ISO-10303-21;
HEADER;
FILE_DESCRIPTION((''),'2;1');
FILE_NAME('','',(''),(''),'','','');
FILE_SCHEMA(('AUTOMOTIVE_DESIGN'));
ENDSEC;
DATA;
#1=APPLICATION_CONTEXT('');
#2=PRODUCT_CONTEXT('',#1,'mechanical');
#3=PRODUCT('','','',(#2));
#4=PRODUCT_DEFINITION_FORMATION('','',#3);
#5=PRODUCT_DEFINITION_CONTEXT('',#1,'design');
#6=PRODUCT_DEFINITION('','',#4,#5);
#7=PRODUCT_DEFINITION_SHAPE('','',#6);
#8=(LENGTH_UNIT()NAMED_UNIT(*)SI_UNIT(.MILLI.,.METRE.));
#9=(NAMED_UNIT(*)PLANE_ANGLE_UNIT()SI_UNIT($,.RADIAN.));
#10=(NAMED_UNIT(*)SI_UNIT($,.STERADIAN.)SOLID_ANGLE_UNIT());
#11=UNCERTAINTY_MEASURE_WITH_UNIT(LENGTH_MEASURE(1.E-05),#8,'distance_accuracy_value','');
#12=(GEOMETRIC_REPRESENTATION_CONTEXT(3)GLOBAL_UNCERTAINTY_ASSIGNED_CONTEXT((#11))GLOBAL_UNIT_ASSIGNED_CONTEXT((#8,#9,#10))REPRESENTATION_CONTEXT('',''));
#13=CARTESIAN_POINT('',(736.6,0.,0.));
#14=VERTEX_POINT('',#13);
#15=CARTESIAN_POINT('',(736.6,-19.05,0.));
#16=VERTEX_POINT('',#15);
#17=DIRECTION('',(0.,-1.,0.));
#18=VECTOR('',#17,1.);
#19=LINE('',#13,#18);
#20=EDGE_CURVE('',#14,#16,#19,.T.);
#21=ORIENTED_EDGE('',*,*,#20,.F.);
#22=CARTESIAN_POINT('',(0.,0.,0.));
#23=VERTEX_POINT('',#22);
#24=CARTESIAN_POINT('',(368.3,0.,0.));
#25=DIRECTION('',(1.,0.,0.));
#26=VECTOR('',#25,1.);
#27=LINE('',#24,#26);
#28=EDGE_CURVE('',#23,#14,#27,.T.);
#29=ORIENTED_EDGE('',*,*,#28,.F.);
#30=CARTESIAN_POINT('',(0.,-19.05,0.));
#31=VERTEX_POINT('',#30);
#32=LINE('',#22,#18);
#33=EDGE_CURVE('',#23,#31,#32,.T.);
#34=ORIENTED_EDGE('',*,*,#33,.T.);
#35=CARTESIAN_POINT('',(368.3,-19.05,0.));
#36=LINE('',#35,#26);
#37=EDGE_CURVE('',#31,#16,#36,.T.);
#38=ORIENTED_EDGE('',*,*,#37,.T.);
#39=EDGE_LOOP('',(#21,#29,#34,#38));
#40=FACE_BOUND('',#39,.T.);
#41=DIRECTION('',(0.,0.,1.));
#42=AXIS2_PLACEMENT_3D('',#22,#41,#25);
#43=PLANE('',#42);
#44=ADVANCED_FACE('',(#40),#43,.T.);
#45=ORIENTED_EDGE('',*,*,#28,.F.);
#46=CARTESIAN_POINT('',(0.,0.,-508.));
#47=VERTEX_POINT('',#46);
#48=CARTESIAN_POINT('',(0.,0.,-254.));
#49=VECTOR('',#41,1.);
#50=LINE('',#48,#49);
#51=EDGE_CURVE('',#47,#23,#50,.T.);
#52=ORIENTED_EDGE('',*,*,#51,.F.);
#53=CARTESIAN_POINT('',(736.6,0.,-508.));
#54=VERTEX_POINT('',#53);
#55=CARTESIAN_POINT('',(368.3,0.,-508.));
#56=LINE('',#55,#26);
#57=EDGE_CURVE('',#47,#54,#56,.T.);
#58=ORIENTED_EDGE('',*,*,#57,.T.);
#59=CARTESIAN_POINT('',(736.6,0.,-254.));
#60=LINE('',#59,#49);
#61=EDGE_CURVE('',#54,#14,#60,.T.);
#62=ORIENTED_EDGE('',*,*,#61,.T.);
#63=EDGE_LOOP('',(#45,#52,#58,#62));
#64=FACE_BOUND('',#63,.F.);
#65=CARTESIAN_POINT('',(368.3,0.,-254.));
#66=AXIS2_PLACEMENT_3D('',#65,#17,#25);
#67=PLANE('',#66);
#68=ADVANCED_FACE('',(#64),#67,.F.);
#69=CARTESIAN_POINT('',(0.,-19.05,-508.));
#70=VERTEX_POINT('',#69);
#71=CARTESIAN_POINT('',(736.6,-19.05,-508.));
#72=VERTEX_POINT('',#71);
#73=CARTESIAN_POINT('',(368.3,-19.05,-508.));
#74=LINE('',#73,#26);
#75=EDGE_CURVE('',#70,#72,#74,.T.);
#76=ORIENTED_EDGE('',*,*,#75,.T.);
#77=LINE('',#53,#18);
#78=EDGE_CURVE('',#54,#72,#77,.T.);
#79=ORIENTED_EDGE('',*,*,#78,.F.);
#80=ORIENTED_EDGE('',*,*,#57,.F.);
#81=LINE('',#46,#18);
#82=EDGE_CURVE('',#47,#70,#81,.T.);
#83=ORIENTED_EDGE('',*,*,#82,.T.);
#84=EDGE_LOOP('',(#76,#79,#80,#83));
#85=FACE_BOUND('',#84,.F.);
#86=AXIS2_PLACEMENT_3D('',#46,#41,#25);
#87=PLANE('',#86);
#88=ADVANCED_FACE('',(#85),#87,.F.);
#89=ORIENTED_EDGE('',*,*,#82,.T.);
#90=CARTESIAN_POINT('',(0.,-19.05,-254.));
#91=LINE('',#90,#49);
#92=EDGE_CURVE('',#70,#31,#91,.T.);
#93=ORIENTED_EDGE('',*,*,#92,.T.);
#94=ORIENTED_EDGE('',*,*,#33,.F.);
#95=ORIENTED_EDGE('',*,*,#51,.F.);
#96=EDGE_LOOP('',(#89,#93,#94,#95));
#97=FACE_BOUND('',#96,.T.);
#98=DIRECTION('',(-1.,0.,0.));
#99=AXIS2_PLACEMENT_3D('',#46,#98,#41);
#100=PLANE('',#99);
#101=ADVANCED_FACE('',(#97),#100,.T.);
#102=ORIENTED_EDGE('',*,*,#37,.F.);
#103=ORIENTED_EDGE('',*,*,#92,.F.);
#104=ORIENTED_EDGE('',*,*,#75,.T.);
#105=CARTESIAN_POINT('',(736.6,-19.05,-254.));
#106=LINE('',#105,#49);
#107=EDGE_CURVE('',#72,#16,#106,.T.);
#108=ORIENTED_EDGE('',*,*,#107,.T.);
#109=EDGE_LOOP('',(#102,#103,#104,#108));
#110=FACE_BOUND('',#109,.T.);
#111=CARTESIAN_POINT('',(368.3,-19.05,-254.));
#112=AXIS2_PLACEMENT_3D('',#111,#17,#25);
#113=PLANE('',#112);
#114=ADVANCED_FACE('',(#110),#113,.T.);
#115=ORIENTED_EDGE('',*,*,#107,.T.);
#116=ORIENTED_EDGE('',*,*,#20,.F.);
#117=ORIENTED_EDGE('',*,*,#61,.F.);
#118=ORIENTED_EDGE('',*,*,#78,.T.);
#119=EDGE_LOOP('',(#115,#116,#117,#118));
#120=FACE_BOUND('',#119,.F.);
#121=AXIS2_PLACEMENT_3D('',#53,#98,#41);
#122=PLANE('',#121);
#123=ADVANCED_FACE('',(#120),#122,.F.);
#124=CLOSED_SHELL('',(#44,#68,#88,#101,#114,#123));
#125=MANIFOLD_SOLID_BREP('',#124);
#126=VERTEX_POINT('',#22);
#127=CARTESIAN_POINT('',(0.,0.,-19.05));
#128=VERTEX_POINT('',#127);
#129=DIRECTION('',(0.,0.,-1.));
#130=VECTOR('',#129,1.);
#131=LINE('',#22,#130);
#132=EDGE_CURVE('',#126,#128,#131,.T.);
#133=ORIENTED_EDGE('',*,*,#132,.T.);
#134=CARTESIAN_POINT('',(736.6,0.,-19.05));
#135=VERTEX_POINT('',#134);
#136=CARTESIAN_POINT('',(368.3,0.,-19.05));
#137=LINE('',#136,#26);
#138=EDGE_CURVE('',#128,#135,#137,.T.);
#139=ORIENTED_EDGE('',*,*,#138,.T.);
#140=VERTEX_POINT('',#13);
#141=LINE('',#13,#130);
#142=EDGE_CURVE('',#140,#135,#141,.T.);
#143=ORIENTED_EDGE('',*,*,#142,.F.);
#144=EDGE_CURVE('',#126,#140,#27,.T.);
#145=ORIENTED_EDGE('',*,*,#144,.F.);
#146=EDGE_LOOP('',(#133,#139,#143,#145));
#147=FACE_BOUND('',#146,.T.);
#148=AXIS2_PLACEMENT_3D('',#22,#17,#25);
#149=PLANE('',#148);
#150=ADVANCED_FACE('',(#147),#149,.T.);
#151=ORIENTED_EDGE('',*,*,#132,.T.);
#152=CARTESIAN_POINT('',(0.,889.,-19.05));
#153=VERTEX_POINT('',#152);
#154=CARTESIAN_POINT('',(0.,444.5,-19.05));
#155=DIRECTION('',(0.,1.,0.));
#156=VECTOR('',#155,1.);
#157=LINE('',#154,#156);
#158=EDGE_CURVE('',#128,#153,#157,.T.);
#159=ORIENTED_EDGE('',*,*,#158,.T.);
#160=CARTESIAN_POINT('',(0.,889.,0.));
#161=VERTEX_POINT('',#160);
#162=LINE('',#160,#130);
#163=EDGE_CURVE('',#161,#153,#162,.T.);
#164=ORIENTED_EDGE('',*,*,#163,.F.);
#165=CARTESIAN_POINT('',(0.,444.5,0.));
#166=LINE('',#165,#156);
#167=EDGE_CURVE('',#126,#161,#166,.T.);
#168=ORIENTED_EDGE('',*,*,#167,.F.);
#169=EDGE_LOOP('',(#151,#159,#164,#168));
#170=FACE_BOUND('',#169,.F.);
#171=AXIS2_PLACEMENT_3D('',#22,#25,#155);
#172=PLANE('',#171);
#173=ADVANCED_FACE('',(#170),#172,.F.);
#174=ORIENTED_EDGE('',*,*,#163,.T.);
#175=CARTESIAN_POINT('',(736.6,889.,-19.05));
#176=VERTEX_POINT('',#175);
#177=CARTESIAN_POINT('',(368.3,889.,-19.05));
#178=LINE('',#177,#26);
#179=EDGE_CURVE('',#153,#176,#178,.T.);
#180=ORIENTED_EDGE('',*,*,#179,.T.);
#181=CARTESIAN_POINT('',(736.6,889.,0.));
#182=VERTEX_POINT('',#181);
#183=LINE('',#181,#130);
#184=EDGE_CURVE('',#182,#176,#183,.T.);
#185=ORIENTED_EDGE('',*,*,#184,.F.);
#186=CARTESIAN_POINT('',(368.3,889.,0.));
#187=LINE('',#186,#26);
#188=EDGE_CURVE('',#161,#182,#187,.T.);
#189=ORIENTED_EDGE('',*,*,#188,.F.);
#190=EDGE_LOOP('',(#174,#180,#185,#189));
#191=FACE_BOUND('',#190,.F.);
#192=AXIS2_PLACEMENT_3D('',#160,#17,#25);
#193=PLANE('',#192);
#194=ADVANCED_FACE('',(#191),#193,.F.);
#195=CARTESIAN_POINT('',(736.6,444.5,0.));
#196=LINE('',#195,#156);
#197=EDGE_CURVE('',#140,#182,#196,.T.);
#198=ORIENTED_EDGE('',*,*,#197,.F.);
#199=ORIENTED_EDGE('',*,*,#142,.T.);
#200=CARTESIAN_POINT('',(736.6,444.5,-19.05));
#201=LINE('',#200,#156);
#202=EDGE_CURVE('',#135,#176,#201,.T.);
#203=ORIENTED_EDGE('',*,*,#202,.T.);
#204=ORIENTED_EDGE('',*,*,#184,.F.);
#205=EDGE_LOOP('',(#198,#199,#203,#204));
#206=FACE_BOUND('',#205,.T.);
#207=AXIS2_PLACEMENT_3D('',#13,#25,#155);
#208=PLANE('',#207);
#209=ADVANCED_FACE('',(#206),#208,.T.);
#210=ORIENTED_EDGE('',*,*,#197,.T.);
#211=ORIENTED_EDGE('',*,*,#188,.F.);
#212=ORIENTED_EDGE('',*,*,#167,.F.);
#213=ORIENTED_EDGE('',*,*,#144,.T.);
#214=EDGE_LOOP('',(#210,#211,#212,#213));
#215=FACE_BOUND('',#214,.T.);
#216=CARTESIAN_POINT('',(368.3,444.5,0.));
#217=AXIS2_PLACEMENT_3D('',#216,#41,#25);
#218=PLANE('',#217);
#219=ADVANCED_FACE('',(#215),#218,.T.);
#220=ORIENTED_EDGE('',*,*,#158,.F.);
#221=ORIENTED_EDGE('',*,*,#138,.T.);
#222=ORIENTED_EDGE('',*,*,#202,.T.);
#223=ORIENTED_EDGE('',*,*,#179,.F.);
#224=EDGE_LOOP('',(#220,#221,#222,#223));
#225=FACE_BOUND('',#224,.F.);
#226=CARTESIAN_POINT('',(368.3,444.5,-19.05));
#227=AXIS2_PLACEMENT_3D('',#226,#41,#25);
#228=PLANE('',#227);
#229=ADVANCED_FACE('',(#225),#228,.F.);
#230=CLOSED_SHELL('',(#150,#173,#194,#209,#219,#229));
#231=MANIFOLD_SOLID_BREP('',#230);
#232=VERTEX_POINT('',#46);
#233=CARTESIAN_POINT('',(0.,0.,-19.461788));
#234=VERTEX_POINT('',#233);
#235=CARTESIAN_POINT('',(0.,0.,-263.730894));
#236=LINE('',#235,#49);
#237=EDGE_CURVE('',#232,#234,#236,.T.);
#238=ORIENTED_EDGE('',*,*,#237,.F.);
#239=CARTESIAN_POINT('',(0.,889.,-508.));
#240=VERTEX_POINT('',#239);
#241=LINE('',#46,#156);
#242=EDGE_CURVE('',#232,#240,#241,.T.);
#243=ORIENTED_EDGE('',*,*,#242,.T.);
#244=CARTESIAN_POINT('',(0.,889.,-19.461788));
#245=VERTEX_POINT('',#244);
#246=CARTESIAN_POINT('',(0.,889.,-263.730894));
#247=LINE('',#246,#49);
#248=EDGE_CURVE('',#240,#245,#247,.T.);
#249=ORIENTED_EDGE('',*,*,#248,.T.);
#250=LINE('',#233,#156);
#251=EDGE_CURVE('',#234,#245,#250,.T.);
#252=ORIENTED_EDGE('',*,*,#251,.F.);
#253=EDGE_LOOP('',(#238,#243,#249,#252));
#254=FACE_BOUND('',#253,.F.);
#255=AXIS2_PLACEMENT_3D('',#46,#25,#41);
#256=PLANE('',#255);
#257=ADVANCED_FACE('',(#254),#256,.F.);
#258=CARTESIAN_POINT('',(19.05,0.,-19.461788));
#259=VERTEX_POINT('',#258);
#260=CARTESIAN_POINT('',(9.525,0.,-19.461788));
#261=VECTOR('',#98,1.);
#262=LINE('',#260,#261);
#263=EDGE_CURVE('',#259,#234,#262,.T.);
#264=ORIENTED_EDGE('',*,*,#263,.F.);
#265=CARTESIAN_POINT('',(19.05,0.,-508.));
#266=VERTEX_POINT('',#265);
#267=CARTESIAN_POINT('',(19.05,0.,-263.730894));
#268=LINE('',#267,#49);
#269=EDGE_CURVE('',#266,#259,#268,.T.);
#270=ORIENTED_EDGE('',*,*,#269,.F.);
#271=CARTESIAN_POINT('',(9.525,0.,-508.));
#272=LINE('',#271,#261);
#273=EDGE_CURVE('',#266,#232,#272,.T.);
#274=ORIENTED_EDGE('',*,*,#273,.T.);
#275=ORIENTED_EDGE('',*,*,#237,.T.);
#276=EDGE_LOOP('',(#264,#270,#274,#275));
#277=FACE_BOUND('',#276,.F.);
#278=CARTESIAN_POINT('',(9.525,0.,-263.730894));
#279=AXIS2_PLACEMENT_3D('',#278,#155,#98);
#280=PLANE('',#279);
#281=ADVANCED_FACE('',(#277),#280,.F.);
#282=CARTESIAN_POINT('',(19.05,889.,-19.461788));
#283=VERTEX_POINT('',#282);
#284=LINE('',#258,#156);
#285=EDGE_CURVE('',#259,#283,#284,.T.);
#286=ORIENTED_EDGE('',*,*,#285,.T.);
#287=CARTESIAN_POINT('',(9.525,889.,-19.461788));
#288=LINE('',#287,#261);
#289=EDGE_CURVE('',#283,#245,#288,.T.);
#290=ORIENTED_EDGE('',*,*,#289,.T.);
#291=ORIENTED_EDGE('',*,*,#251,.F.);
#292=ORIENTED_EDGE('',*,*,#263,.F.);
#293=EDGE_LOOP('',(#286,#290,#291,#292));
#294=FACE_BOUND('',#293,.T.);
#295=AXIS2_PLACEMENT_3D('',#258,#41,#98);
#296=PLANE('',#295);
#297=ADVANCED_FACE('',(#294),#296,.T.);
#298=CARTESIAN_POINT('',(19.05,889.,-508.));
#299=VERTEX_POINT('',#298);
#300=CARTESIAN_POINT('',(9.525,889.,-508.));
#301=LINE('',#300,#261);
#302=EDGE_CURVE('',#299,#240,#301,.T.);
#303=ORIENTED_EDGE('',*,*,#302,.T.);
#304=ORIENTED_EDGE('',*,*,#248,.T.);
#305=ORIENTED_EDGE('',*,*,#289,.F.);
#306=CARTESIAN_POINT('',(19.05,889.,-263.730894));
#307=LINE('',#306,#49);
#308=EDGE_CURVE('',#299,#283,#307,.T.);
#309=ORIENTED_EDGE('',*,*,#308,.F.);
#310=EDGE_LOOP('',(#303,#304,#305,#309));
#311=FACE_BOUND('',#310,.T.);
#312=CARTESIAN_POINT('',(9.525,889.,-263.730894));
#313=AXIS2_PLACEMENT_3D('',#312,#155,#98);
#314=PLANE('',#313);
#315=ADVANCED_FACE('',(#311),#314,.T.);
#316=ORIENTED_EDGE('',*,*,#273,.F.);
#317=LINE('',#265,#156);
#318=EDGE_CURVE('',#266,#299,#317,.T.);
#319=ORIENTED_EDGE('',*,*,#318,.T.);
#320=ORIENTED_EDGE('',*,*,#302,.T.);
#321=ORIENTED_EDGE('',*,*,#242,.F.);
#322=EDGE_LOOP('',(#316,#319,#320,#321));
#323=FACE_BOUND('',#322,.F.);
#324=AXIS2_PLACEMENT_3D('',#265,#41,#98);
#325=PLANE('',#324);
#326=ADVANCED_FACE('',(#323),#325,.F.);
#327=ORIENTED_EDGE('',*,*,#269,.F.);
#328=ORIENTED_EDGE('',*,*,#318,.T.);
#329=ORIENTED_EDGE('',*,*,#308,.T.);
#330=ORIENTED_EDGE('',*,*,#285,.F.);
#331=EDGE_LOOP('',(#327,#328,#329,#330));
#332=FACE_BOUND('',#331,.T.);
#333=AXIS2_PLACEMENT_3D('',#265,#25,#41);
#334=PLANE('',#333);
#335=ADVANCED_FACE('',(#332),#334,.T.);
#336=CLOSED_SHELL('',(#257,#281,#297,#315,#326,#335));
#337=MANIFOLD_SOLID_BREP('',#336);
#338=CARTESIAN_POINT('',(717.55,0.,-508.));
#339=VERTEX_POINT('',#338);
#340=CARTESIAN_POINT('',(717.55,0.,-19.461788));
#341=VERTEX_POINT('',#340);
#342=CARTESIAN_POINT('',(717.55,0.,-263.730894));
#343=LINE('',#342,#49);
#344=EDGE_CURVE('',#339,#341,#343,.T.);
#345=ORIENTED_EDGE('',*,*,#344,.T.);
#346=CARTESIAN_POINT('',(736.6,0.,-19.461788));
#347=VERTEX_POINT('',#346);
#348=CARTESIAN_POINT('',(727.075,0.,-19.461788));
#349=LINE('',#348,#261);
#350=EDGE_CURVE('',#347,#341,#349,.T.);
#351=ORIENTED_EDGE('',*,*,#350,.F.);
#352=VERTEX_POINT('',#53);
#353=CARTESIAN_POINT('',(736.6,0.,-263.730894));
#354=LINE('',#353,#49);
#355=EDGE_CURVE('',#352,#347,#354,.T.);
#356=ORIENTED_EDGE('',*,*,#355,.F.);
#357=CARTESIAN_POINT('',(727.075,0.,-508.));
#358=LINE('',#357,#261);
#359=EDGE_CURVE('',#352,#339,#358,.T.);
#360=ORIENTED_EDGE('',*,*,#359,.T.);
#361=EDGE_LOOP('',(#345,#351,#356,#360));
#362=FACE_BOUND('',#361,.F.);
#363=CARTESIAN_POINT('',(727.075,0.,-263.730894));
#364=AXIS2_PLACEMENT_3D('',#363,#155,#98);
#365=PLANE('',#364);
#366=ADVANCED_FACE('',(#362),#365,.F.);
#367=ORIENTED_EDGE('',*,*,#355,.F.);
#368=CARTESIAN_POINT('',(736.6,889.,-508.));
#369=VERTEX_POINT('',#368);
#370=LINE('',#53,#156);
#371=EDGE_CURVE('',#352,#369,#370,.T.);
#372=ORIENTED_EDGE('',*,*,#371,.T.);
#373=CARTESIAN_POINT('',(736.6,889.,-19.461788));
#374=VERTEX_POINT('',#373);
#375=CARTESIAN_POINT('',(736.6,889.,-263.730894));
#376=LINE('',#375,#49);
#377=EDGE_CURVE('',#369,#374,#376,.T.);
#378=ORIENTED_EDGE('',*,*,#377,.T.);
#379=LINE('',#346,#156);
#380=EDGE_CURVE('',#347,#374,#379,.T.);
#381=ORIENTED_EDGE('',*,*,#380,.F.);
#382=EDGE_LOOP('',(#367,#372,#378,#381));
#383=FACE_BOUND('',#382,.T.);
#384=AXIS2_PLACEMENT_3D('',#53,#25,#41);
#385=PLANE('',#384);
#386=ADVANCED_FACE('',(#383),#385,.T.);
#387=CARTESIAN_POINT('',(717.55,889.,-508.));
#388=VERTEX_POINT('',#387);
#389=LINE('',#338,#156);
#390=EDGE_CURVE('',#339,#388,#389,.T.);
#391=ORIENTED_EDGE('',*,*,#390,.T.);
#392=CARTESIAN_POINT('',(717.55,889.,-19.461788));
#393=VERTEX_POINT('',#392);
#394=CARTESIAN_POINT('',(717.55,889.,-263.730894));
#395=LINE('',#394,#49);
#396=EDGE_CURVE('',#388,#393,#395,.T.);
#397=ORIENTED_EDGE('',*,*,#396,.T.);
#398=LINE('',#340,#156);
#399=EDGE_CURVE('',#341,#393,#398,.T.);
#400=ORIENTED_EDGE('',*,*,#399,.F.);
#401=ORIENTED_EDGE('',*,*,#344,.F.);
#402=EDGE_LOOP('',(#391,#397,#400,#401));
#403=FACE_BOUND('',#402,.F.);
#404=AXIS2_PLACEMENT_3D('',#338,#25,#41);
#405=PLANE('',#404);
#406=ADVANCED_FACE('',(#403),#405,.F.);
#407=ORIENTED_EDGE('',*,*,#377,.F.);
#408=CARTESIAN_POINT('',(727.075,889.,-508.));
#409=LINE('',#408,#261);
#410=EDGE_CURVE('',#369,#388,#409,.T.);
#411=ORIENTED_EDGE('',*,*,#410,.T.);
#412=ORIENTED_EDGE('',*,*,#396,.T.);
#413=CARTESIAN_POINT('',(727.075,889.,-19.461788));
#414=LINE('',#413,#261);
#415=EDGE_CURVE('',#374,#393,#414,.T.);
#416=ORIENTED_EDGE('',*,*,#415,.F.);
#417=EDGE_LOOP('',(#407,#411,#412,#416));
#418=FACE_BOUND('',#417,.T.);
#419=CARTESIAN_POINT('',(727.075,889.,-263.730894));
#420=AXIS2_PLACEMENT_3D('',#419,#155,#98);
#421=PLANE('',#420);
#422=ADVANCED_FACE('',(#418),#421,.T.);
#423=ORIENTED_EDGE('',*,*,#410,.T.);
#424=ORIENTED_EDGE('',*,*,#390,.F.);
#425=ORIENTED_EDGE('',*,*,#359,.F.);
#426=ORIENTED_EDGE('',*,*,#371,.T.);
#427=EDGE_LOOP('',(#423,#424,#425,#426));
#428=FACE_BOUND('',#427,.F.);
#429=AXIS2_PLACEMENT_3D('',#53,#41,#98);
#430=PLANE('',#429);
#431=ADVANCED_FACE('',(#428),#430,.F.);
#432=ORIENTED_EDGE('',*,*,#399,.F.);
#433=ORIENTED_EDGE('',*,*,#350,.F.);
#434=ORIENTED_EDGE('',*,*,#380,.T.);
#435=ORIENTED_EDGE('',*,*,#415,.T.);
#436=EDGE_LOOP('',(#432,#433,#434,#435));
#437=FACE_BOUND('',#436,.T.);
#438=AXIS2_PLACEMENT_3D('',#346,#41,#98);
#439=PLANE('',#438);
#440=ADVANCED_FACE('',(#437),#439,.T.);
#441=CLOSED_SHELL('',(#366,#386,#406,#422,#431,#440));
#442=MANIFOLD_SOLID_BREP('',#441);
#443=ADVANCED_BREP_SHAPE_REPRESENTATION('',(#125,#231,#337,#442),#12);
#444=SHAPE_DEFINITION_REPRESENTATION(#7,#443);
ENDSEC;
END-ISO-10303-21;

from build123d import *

# Parameters (mm, degrees)
F0_W     = 736.6
F0_H     = 889
F1_DEPTH = 19.05
F2_W     = 736.6
F2_H     = 508
F3_DEPTH = 19.05
F4_W     = 19.05
F4_H     = 488.538212
F5_DEPTH = 889


with BuildPart() as f1:
    # F0 (on Top) → F1 (new body)
    with BuildSketch(Plane.XY):
        with Locations((368.3, 444.5)):
            Rectangle(F0_W, F0_H)
    extrude(amount=-F1_DEPTH)


with BuildPart() as f3:
    # F2 (on face) → F3 (new body)
    with BuildSketch(Plane.XZ):
        with Locations((368.3, -254)):
            Rectangle(F2_W, F2_H)
    extrude(amount=F3_DEPTH)


with BuildPart() as f5:
    # F4 (on face) → F5 (new body)
    with BuildSketch(Plane(origin=(0, 0, 0), x_dir=(-1, 0, 0), z_dir=(0, 1, 0))):
        with Locations((-9.525, -263.730894)):
            Rectangle(F4_W, F4_H)
        with Locations((-727.075, -263.730894)):
            Rectangle(F4_W, F4_H)
    extrude(amount=F5_DEPTH)


solid = Compound([f1.part, f3.part, f5.part])
